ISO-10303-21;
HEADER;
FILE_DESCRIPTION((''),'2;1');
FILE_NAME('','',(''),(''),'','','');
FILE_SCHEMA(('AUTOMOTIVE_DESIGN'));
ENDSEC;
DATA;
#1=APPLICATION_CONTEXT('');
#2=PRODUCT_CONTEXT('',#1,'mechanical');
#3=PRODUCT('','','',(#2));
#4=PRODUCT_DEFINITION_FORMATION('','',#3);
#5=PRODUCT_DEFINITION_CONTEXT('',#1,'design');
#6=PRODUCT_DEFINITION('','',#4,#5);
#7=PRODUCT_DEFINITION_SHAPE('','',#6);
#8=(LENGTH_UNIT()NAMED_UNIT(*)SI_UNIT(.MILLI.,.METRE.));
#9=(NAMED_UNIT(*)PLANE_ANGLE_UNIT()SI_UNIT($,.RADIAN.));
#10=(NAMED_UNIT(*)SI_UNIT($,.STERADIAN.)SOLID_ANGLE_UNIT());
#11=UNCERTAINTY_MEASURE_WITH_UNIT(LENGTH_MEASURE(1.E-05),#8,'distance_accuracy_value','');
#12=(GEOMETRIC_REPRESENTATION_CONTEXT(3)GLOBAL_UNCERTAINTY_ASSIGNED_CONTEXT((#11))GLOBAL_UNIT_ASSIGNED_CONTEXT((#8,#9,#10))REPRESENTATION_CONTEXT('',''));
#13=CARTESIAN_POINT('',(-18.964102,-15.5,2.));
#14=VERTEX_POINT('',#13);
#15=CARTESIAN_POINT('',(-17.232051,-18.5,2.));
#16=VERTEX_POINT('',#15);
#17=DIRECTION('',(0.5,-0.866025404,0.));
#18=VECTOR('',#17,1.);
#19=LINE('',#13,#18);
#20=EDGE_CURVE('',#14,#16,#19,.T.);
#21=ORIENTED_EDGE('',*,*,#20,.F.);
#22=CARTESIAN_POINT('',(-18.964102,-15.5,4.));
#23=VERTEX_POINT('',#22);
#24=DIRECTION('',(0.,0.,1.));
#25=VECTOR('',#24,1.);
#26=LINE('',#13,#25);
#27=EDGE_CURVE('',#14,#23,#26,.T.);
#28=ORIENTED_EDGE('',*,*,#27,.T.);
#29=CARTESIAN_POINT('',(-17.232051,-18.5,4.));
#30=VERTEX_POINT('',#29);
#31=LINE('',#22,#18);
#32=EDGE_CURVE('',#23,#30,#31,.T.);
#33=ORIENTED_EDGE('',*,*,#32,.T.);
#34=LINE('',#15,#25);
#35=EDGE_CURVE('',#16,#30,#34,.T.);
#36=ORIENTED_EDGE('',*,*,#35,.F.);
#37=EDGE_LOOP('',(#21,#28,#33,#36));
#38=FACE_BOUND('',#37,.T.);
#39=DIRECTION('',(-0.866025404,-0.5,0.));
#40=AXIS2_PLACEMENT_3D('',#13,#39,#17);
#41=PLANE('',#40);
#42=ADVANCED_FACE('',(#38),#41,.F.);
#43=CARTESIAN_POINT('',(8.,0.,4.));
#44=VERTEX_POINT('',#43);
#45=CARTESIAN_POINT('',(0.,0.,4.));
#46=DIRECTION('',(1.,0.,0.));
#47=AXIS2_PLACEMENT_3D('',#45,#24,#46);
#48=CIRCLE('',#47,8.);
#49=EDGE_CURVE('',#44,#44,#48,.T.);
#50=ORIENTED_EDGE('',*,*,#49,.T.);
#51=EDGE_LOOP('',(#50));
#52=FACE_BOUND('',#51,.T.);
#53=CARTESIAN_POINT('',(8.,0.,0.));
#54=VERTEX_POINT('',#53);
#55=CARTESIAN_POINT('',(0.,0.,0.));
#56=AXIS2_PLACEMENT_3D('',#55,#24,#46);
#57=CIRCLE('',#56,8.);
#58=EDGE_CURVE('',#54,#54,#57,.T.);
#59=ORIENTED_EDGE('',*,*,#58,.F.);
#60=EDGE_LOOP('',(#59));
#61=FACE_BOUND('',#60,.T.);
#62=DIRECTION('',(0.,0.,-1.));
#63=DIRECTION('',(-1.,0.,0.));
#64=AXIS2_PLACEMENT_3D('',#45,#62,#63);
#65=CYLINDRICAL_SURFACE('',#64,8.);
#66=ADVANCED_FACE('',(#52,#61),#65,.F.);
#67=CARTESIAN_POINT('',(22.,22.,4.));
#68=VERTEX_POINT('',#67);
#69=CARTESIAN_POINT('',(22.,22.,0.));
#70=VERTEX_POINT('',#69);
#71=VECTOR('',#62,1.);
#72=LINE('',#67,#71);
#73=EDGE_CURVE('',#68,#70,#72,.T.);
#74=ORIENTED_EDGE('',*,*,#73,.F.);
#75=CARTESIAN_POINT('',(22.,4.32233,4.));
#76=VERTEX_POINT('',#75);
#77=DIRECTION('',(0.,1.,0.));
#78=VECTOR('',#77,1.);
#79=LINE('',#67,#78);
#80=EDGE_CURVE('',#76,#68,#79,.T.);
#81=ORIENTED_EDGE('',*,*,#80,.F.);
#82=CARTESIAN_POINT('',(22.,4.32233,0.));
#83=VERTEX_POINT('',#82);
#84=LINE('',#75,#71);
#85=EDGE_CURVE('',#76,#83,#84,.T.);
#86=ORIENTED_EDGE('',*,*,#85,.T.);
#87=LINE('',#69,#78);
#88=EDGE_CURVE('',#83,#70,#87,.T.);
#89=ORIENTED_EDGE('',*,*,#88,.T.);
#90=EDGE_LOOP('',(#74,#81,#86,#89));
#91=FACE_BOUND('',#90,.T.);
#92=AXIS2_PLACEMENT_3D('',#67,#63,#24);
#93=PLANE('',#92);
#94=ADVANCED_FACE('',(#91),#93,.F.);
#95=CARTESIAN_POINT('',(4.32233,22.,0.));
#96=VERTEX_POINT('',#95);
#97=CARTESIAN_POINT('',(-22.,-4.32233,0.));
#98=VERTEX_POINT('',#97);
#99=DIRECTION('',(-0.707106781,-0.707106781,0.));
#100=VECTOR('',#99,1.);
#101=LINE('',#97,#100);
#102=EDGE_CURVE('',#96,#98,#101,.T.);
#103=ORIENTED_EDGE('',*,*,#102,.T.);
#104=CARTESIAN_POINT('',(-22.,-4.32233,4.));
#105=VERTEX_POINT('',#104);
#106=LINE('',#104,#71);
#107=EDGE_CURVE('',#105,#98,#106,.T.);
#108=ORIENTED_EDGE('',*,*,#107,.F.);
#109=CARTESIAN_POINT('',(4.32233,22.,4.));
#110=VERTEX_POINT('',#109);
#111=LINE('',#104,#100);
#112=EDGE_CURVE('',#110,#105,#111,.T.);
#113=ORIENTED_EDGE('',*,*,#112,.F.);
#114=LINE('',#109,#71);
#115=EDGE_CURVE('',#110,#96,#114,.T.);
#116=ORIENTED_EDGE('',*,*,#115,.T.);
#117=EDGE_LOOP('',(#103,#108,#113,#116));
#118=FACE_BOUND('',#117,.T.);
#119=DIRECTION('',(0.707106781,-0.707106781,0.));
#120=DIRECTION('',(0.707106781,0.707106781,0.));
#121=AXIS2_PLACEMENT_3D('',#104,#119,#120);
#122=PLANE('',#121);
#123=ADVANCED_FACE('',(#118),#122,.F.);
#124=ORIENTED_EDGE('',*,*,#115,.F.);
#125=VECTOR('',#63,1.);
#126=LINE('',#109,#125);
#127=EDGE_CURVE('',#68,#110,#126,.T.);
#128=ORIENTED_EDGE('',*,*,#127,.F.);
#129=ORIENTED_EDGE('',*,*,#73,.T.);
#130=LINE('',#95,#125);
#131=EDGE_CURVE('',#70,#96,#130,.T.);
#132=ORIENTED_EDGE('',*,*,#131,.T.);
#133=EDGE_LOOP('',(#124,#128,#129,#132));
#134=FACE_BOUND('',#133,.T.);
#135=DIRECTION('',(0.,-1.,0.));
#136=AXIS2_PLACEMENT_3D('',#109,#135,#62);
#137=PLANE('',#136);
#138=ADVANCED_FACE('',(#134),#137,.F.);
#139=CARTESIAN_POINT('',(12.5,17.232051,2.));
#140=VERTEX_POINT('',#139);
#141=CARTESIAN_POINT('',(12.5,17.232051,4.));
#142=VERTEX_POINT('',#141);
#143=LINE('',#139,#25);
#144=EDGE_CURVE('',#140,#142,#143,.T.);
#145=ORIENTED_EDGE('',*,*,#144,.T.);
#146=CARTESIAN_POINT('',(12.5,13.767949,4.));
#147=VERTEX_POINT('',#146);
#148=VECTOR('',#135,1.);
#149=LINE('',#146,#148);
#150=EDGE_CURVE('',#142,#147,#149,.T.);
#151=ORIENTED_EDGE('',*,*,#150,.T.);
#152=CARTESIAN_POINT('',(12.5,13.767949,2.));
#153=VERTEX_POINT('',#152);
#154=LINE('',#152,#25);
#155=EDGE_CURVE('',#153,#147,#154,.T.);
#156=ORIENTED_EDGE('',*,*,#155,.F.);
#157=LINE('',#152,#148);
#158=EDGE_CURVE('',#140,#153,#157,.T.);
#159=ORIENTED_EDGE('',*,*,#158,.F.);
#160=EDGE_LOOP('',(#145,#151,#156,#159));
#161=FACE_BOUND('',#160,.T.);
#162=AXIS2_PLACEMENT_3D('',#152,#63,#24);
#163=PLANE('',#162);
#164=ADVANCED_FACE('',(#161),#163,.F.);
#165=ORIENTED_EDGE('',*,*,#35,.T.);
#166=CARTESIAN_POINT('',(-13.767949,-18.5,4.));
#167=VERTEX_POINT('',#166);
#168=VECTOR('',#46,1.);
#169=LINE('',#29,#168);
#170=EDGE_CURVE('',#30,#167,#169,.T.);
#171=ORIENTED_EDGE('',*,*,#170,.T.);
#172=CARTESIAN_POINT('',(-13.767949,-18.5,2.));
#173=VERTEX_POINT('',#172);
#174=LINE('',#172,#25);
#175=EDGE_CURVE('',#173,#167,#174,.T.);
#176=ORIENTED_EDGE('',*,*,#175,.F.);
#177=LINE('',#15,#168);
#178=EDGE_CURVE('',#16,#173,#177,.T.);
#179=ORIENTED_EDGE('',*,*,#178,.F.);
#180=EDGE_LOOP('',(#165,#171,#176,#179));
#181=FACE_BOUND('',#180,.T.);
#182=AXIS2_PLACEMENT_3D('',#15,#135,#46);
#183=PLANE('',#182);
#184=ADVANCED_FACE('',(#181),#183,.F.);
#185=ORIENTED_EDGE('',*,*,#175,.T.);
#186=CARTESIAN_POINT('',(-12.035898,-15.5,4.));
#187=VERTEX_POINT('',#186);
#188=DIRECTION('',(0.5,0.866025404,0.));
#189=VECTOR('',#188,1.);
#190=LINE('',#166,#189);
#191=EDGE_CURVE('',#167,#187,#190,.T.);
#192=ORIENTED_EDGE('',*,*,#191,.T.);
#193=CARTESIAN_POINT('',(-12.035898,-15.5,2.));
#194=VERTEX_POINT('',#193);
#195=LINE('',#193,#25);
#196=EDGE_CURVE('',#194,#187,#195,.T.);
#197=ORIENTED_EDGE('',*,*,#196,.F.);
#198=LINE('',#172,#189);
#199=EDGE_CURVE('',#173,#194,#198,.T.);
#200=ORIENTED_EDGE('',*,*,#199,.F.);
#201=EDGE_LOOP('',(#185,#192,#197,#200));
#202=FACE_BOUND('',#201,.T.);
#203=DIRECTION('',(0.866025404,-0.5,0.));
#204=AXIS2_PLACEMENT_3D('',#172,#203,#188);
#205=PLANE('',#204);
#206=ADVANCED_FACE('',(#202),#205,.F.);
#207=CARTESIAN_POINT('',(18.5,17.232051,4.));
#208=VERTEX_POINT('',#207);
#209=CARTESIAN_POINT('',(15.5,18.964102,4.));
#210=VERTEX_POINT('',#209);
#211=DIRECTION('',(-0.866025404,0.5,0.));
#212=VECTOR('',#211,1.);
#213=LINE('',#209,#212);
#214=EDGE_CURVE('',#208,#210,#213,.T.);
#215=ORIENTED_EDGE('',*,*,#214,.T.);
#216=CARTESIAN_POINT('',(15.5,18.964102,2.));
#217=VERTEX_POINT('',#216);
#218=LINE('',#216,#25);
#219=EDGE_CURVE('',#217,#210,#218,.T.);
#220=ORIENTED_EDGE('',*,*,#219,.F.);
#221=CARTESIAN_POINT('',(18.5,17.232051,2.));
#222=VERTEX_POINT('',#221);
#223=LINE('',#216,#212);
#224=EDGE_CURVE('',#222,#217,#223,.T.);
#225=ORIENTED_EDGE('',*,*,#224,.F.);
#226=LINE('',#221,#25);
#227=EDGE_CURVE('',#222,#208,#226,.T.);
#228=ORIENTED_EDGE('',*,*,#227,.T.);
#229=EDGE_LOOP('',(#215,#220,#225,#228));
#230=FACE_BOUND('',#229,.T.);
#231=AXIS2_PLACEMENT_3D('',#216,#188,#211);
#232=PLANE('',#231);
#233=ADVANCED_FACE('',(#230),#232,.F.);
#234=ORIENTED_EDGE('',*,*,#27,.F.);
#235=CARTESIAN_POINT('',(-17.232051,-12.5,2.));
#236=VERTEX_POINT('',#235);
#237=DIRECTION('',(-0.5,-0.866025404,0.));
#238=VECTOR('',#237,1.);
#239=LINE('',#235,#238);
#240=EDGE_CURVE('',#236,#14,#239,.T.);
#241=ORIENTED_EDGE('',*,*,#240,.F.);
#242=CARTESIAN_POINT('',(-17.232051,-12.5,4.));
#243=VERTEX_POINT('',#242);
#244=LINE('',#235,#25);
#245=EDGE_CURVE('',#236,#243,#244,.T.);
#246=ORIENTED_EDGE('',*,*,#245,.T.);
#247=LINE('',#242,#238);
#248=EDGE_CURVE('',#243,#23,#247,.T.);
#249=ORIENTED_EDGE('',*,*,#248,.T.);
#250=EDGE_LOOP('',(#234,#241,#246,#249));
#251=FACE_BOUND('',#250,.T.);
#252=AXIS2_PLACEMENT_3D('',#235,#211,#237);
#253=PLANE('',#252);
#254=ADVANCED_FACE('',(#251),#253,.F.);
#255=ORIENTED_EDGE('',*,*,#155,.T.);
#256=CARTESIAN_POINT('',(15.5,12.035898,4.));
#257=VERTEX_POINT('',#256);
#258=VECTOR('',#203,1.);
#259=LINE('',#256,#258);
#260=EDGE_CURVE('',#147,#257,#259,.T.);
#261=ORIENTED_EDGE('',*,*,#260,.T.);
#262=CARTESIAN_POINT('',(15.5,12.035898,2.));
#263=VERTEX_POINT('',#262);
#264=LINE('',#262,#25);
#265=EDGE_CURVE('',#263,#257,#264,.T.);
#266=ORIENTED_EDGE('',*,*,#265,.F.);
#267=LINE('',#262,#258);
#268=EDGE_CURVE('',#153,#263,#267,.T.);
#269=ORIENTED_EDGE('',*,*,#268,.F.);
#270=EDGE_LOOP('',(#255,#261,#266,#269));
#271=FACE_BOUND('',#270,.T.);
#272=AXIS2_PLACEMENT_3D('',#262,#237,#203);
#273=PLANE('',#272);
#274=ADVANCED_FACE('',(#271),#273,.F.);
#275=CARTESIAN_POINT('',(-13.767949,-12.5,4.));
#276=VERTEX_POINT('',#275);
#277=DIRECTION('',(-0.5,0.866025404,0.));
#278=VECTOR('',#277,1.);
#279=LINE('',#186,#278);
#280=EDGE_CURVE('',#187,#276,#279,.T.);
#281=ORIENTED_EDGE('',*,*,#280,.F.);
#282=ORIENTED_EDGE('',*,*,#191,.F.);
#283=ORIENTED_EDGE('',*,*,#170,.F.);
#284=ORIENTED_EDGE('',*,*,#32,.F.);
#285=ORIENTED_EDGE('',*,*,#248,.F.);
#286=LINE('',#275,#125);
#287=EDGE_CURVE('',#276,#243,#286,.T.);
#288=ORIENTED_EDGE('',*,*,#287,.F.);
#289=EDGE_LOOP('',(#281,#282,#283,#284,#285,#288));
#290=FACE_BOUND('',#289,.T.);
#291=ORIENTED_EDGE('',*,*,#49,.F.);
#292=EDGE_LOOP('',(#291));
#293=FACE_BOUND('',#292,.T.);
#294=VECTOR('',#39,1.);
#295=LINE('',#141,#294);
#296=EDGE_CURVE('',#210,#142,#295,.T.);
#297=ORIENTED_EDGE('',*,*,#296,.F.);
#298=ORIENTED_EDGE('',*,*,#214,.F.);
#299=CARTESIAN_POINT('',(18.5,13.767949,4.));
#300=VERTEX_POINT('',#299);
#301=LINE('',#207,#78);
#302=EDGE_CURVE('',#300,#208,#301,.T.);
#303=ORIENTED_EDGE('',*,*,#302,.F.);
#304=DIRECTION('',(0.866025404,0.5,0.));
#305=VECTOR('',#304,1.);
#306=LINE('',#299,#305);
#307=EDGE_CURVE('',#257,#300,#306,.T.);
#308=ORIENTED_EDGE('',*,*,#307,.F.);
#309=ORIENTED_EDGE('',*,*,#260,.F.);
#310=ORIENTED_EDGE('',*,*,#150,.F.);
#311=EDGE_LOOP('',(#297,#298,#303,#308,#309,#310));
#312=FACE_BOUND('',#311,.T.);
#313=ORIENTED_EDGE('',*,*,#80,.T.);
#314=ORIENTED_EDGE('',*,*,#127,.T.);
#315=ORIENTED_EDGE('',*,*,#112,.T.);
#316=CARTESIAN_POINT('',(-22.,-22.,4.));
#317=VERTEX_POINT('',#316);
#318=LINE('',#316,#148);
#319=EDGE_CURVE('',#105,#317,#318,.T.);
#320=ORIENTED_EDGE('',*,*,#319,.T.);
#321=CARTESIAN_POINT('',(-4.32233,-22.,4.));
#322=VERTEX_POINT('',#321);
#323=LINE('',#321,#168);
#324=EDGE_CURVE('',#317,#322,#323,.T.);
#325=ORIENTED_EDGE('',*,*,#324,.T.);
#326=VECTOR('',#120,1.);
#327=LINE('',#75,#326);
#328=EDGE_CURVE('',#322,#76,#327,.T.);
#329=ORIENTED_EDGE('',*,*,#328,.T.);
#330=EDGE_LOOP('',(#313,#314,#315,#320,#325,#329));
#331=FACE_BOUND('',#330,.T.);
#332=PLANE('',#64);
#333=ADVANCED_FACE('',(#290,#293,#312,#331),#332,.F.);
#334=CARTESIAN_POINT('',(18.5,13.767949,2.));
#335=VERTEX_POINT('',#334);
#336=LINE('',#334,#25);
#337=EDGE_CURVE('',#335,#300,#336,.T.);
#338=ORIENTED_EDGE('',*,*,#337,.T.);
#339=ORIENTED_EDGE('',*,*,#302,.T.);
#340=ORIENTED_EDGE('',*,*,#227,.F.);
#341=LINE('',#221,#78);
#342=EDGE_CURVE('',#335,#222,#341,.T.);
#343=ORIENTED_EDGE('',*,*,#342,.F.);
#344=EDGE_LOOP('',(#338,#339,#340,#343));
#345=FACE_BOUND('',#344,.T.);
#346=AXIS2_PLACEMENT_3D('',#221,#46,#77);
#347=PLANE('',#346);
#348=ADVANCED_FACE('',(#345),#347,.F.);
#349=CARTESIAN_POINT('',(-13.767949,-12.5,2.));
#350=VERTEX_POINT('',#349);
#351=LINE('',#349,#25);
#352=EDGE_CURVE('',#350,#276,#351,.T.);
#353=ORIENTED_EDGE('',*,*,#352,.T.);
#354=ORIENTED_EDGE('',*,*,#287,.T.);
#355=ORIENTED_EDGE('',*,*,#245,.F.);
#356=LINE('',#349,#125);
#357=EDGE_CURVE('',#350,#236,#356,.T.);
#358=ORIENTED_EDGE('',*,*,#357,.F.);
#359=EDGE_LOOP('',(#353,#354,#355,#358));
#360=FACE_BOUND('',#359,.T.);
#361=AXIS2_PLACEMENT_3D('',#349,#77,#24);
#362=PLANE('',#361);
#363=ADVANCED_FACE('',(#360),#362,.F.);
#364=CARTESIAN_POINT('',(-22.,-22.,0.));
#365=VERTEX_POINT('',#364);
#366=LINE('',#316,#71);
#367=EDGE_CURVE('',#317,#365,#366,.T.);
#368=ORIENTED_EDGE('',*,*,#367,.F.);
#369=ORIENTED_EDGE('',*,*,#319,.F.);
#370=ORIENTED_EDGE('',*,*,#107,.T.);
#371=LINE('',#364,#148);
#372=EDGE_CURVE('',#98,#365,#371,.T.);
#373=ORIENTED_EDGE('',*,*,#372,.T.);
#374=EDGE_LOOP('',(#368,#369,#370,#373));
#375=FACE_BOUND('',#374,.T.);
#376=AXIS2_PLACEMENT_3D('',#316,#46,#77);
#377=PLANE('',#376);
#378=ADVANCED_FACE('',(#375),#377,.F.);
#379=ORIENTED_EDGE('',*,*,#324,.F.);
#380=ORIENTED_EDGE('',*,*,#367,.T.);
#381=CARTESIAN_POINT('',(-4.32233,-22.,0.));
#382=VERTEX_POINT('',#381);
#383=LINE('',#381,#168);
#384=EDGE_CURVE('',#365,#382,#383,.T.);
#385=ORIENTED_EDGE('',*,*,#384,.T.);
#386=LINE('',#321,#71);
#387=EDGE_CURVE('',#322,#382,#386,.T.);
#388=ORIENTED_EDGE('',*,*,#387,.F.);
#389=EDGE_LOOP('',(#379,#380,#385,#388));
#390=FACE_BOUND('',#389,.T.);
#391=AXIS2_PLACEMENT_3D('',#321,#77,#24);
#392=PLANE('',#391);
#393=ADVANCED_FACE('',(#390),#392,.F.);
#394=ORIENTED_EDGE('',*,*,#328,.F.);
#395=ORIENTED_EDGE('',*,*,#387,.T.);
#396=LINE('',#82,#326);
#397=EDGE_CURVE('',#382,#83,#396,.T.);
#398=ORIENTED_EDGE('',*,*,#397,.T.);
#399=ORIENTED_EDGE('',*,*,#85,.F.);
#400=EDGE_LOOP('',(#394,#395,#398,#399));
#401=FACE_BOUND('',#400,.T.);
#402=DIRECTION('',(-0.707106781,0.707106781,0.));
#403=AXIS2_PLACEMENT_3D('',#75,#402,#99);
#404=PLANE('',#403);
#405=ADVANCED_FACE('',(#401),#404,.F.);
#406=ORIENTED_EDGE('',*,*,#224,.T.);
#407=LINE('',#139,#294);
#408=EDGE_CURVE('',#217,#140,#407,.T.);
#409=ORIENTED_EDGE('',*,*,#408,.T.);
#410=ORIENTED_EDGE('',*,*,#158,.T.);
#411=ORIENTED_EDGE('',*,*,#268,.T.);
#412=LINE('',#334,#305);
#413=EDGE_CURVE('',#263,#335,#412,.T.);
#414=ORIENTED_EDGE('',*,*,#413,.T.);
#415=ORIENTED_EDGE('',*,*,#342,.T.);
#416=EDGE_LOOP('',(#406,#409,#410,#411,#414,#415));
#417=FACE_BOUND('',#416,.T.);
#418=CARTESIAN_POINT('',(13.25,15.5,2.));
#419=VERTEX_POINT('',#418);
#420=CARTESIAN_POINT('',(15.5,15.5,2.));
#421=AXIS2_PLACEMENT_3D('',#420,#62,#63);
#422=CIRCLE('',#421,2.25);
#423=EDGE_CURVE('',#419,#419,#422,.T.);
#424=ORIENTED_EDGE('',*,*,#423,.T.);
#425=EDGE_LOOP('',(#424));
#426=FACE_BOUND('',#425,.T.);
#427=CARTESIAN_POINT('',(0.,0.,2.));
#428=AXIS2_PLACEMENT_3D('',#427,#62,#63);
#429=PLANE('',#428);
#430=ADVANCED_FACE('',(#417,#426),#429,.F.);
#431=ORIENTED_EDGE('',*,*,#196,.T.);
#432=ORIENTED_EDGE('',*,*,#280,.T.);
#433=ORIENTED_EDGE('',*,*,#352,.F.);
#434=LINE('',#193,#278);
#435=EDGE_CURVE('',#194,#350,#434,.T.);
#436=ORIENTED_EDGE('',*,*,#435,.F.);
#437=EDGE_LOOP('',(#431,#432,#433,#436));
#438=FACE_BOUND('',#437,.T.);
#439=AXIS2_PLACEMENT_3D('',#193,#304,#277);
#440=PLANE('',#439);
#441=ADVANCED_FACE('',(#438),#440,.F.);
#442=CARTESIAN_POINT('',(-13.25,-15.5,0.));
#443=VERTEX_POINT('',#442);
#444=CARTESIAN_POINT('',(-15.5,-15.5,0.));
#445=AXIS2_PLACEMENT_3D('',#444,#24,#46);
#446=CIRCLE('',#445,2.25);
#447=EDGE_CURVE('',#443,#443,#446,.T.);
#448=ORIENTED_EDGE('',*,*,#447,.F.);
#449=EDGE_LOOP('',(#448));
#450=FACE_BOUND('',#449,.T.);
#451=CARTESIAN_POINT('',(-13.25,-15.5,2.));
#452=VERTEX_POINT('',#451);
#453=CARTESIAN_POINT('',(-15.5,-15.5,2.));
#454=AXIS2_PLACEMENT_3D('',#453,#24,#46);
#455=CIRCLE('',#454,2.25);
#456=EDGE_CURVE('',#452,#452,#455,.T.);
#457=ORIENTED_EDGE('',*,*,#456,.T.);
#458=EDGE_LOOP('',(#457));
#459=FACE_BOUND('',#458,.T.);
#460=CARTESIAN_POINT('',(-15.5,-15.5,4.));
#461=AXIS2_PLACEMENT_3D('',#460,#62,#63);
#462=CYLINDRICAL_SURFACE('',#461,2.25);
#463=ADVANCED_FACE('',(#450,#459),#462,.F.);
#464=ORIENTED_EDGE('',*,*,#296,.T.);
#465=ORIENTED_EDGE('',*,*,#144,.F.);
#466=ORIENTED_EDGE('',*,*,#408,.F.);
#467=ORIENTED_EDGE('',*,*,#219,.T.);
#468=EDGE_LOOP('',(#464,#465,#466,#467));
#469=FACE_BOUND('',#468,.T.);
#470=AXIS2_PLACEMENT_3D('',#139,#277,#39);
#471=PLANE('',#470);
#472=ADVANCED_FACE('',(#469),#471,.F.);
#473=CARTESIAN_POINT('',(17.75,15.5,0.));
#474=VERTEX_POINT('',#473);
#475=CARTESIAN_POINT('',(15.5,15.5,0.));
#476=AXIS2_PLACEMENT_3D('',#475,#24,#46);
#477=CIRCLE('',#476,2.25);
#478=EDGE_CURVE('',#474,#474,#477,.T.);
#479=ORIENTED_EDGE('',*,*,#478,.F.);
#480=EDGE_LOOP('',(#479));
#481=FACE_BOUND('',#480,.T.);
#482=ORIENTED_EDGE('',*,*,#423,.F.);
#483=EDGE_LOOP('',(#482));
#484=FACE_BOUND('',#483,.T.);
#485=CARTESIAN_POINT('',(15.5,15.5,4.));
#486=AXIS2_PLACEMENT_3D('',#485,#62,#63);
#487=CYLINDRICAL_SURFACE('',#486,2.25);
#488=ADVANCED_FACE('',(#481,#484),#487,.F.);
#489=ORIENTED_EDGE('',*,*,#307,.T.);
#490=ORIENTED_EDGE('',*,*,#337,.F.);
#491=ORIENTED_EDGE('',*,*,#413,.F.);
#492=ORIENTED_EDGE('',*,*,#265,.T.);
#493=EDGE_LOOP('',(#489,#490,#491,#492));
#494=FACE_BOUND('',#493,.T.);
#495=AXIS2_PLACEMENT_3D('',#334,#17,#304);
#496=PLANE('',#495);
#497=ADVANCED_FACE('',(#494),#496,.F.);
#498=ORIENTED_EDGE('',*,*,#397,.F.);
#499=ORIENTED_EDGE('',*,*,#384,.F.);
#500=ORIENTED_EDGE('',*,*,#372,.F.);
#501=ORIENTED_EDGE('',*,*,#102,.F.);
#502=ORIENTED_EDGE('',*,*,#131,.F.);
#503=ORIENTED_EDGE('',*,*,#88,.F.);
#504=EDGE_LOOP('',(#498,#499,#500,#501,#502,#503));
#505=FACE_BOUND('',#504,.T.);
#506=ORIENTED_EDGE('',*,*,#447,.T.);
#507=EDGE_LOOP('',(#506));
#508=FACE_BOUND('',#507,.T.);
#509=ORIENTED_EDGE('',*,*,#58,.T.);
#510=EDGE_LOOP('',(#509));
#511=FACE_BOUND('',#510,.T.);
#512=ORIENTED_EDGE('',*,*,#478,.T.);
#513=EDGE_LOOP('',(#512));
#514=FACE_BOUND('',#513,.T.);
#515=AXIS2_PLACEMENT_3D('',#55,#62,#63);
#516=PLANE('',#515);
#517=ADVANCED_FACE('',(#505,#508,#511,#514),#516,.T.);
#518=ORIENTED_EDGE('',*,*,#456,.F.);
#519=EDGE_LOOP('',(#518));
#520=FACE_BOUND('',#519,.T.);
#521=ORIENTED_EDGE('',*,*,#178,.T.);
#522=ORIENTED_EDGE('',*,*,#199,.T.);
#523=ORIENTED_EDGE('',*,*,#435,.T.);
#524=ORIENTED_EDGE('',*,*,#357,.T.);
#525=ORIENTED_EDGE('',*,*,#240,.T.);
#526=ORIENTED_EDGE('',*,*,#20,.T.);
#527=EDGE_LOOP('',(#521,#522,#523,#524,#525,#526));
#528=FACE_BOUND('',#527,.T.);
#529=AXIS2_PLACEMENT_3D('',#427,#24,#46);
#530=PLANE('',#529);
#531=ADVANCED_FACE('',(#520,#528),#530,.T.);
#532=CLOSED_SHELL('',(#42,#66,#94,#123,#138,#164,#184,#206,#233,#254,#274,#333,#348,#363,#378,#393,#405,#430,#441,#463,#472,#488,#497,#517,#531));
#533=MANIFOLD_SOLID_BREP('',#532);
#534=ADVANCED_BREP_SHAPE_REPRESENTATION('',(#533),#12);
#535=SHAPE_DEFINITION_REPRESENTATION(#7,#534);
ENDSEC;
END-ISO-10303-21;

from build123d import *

# Parameters (mm, degrees)
SKETCH1_R           = 8
SKETCH1_R_2         = 2.25
BOSS_EXTRUDE1_DEPTH = 4
CUT_EXTRUDE1_DEPTH  = 2


with BuildPart() as part:
    # Sketch1 → Boss-Extrude1 (new body)
    with BuildSketch(Plane.XY):
        Polygon((-4.32233047, -22), (-22, -22), (-22, -4.32233047), (4.32233047, 22), (22, 22), (22, 4.32233047), align=None)
        Circle(SKETCH1_R, mode=Mode.SUBTRACT)
        with Locations((-15.5, -15.5)):
            Circle(SKETCH1_R_2, mode=Mode.SUBTRACT)
        with Locations((15.5, 15.5)):
            Circle(SKETCH1_R_2, mode=Mode.SUBTRACT)
    extrude(amount=BOSS_EXTRUDE1_DEPTH)

    # Sketch2 → Cut-Extrude1 (cut)
    with BuildSketch(Plane.XY.offset(4)):
        Polygon((-18.964101615, -15.5), (-17.232050808, -18.5), (-13.767949192, -18.5), (-12.035898385, -15.5), (-13.767949192, -12.5), (-17.232050808, -12.5), align=None)
        Polygon((12.5, 13.767949192), (12.5, 17.232050808), (15.5, 18.964101615), (18.5, 17.232050808), (18.5, 13.767949192), (15.5, 12.035898385), align=None)
    extrude(amount=-CUT_EXTRUDE1_DEPTH, mode=Mode.SUBTRACT)


solid = part.part
